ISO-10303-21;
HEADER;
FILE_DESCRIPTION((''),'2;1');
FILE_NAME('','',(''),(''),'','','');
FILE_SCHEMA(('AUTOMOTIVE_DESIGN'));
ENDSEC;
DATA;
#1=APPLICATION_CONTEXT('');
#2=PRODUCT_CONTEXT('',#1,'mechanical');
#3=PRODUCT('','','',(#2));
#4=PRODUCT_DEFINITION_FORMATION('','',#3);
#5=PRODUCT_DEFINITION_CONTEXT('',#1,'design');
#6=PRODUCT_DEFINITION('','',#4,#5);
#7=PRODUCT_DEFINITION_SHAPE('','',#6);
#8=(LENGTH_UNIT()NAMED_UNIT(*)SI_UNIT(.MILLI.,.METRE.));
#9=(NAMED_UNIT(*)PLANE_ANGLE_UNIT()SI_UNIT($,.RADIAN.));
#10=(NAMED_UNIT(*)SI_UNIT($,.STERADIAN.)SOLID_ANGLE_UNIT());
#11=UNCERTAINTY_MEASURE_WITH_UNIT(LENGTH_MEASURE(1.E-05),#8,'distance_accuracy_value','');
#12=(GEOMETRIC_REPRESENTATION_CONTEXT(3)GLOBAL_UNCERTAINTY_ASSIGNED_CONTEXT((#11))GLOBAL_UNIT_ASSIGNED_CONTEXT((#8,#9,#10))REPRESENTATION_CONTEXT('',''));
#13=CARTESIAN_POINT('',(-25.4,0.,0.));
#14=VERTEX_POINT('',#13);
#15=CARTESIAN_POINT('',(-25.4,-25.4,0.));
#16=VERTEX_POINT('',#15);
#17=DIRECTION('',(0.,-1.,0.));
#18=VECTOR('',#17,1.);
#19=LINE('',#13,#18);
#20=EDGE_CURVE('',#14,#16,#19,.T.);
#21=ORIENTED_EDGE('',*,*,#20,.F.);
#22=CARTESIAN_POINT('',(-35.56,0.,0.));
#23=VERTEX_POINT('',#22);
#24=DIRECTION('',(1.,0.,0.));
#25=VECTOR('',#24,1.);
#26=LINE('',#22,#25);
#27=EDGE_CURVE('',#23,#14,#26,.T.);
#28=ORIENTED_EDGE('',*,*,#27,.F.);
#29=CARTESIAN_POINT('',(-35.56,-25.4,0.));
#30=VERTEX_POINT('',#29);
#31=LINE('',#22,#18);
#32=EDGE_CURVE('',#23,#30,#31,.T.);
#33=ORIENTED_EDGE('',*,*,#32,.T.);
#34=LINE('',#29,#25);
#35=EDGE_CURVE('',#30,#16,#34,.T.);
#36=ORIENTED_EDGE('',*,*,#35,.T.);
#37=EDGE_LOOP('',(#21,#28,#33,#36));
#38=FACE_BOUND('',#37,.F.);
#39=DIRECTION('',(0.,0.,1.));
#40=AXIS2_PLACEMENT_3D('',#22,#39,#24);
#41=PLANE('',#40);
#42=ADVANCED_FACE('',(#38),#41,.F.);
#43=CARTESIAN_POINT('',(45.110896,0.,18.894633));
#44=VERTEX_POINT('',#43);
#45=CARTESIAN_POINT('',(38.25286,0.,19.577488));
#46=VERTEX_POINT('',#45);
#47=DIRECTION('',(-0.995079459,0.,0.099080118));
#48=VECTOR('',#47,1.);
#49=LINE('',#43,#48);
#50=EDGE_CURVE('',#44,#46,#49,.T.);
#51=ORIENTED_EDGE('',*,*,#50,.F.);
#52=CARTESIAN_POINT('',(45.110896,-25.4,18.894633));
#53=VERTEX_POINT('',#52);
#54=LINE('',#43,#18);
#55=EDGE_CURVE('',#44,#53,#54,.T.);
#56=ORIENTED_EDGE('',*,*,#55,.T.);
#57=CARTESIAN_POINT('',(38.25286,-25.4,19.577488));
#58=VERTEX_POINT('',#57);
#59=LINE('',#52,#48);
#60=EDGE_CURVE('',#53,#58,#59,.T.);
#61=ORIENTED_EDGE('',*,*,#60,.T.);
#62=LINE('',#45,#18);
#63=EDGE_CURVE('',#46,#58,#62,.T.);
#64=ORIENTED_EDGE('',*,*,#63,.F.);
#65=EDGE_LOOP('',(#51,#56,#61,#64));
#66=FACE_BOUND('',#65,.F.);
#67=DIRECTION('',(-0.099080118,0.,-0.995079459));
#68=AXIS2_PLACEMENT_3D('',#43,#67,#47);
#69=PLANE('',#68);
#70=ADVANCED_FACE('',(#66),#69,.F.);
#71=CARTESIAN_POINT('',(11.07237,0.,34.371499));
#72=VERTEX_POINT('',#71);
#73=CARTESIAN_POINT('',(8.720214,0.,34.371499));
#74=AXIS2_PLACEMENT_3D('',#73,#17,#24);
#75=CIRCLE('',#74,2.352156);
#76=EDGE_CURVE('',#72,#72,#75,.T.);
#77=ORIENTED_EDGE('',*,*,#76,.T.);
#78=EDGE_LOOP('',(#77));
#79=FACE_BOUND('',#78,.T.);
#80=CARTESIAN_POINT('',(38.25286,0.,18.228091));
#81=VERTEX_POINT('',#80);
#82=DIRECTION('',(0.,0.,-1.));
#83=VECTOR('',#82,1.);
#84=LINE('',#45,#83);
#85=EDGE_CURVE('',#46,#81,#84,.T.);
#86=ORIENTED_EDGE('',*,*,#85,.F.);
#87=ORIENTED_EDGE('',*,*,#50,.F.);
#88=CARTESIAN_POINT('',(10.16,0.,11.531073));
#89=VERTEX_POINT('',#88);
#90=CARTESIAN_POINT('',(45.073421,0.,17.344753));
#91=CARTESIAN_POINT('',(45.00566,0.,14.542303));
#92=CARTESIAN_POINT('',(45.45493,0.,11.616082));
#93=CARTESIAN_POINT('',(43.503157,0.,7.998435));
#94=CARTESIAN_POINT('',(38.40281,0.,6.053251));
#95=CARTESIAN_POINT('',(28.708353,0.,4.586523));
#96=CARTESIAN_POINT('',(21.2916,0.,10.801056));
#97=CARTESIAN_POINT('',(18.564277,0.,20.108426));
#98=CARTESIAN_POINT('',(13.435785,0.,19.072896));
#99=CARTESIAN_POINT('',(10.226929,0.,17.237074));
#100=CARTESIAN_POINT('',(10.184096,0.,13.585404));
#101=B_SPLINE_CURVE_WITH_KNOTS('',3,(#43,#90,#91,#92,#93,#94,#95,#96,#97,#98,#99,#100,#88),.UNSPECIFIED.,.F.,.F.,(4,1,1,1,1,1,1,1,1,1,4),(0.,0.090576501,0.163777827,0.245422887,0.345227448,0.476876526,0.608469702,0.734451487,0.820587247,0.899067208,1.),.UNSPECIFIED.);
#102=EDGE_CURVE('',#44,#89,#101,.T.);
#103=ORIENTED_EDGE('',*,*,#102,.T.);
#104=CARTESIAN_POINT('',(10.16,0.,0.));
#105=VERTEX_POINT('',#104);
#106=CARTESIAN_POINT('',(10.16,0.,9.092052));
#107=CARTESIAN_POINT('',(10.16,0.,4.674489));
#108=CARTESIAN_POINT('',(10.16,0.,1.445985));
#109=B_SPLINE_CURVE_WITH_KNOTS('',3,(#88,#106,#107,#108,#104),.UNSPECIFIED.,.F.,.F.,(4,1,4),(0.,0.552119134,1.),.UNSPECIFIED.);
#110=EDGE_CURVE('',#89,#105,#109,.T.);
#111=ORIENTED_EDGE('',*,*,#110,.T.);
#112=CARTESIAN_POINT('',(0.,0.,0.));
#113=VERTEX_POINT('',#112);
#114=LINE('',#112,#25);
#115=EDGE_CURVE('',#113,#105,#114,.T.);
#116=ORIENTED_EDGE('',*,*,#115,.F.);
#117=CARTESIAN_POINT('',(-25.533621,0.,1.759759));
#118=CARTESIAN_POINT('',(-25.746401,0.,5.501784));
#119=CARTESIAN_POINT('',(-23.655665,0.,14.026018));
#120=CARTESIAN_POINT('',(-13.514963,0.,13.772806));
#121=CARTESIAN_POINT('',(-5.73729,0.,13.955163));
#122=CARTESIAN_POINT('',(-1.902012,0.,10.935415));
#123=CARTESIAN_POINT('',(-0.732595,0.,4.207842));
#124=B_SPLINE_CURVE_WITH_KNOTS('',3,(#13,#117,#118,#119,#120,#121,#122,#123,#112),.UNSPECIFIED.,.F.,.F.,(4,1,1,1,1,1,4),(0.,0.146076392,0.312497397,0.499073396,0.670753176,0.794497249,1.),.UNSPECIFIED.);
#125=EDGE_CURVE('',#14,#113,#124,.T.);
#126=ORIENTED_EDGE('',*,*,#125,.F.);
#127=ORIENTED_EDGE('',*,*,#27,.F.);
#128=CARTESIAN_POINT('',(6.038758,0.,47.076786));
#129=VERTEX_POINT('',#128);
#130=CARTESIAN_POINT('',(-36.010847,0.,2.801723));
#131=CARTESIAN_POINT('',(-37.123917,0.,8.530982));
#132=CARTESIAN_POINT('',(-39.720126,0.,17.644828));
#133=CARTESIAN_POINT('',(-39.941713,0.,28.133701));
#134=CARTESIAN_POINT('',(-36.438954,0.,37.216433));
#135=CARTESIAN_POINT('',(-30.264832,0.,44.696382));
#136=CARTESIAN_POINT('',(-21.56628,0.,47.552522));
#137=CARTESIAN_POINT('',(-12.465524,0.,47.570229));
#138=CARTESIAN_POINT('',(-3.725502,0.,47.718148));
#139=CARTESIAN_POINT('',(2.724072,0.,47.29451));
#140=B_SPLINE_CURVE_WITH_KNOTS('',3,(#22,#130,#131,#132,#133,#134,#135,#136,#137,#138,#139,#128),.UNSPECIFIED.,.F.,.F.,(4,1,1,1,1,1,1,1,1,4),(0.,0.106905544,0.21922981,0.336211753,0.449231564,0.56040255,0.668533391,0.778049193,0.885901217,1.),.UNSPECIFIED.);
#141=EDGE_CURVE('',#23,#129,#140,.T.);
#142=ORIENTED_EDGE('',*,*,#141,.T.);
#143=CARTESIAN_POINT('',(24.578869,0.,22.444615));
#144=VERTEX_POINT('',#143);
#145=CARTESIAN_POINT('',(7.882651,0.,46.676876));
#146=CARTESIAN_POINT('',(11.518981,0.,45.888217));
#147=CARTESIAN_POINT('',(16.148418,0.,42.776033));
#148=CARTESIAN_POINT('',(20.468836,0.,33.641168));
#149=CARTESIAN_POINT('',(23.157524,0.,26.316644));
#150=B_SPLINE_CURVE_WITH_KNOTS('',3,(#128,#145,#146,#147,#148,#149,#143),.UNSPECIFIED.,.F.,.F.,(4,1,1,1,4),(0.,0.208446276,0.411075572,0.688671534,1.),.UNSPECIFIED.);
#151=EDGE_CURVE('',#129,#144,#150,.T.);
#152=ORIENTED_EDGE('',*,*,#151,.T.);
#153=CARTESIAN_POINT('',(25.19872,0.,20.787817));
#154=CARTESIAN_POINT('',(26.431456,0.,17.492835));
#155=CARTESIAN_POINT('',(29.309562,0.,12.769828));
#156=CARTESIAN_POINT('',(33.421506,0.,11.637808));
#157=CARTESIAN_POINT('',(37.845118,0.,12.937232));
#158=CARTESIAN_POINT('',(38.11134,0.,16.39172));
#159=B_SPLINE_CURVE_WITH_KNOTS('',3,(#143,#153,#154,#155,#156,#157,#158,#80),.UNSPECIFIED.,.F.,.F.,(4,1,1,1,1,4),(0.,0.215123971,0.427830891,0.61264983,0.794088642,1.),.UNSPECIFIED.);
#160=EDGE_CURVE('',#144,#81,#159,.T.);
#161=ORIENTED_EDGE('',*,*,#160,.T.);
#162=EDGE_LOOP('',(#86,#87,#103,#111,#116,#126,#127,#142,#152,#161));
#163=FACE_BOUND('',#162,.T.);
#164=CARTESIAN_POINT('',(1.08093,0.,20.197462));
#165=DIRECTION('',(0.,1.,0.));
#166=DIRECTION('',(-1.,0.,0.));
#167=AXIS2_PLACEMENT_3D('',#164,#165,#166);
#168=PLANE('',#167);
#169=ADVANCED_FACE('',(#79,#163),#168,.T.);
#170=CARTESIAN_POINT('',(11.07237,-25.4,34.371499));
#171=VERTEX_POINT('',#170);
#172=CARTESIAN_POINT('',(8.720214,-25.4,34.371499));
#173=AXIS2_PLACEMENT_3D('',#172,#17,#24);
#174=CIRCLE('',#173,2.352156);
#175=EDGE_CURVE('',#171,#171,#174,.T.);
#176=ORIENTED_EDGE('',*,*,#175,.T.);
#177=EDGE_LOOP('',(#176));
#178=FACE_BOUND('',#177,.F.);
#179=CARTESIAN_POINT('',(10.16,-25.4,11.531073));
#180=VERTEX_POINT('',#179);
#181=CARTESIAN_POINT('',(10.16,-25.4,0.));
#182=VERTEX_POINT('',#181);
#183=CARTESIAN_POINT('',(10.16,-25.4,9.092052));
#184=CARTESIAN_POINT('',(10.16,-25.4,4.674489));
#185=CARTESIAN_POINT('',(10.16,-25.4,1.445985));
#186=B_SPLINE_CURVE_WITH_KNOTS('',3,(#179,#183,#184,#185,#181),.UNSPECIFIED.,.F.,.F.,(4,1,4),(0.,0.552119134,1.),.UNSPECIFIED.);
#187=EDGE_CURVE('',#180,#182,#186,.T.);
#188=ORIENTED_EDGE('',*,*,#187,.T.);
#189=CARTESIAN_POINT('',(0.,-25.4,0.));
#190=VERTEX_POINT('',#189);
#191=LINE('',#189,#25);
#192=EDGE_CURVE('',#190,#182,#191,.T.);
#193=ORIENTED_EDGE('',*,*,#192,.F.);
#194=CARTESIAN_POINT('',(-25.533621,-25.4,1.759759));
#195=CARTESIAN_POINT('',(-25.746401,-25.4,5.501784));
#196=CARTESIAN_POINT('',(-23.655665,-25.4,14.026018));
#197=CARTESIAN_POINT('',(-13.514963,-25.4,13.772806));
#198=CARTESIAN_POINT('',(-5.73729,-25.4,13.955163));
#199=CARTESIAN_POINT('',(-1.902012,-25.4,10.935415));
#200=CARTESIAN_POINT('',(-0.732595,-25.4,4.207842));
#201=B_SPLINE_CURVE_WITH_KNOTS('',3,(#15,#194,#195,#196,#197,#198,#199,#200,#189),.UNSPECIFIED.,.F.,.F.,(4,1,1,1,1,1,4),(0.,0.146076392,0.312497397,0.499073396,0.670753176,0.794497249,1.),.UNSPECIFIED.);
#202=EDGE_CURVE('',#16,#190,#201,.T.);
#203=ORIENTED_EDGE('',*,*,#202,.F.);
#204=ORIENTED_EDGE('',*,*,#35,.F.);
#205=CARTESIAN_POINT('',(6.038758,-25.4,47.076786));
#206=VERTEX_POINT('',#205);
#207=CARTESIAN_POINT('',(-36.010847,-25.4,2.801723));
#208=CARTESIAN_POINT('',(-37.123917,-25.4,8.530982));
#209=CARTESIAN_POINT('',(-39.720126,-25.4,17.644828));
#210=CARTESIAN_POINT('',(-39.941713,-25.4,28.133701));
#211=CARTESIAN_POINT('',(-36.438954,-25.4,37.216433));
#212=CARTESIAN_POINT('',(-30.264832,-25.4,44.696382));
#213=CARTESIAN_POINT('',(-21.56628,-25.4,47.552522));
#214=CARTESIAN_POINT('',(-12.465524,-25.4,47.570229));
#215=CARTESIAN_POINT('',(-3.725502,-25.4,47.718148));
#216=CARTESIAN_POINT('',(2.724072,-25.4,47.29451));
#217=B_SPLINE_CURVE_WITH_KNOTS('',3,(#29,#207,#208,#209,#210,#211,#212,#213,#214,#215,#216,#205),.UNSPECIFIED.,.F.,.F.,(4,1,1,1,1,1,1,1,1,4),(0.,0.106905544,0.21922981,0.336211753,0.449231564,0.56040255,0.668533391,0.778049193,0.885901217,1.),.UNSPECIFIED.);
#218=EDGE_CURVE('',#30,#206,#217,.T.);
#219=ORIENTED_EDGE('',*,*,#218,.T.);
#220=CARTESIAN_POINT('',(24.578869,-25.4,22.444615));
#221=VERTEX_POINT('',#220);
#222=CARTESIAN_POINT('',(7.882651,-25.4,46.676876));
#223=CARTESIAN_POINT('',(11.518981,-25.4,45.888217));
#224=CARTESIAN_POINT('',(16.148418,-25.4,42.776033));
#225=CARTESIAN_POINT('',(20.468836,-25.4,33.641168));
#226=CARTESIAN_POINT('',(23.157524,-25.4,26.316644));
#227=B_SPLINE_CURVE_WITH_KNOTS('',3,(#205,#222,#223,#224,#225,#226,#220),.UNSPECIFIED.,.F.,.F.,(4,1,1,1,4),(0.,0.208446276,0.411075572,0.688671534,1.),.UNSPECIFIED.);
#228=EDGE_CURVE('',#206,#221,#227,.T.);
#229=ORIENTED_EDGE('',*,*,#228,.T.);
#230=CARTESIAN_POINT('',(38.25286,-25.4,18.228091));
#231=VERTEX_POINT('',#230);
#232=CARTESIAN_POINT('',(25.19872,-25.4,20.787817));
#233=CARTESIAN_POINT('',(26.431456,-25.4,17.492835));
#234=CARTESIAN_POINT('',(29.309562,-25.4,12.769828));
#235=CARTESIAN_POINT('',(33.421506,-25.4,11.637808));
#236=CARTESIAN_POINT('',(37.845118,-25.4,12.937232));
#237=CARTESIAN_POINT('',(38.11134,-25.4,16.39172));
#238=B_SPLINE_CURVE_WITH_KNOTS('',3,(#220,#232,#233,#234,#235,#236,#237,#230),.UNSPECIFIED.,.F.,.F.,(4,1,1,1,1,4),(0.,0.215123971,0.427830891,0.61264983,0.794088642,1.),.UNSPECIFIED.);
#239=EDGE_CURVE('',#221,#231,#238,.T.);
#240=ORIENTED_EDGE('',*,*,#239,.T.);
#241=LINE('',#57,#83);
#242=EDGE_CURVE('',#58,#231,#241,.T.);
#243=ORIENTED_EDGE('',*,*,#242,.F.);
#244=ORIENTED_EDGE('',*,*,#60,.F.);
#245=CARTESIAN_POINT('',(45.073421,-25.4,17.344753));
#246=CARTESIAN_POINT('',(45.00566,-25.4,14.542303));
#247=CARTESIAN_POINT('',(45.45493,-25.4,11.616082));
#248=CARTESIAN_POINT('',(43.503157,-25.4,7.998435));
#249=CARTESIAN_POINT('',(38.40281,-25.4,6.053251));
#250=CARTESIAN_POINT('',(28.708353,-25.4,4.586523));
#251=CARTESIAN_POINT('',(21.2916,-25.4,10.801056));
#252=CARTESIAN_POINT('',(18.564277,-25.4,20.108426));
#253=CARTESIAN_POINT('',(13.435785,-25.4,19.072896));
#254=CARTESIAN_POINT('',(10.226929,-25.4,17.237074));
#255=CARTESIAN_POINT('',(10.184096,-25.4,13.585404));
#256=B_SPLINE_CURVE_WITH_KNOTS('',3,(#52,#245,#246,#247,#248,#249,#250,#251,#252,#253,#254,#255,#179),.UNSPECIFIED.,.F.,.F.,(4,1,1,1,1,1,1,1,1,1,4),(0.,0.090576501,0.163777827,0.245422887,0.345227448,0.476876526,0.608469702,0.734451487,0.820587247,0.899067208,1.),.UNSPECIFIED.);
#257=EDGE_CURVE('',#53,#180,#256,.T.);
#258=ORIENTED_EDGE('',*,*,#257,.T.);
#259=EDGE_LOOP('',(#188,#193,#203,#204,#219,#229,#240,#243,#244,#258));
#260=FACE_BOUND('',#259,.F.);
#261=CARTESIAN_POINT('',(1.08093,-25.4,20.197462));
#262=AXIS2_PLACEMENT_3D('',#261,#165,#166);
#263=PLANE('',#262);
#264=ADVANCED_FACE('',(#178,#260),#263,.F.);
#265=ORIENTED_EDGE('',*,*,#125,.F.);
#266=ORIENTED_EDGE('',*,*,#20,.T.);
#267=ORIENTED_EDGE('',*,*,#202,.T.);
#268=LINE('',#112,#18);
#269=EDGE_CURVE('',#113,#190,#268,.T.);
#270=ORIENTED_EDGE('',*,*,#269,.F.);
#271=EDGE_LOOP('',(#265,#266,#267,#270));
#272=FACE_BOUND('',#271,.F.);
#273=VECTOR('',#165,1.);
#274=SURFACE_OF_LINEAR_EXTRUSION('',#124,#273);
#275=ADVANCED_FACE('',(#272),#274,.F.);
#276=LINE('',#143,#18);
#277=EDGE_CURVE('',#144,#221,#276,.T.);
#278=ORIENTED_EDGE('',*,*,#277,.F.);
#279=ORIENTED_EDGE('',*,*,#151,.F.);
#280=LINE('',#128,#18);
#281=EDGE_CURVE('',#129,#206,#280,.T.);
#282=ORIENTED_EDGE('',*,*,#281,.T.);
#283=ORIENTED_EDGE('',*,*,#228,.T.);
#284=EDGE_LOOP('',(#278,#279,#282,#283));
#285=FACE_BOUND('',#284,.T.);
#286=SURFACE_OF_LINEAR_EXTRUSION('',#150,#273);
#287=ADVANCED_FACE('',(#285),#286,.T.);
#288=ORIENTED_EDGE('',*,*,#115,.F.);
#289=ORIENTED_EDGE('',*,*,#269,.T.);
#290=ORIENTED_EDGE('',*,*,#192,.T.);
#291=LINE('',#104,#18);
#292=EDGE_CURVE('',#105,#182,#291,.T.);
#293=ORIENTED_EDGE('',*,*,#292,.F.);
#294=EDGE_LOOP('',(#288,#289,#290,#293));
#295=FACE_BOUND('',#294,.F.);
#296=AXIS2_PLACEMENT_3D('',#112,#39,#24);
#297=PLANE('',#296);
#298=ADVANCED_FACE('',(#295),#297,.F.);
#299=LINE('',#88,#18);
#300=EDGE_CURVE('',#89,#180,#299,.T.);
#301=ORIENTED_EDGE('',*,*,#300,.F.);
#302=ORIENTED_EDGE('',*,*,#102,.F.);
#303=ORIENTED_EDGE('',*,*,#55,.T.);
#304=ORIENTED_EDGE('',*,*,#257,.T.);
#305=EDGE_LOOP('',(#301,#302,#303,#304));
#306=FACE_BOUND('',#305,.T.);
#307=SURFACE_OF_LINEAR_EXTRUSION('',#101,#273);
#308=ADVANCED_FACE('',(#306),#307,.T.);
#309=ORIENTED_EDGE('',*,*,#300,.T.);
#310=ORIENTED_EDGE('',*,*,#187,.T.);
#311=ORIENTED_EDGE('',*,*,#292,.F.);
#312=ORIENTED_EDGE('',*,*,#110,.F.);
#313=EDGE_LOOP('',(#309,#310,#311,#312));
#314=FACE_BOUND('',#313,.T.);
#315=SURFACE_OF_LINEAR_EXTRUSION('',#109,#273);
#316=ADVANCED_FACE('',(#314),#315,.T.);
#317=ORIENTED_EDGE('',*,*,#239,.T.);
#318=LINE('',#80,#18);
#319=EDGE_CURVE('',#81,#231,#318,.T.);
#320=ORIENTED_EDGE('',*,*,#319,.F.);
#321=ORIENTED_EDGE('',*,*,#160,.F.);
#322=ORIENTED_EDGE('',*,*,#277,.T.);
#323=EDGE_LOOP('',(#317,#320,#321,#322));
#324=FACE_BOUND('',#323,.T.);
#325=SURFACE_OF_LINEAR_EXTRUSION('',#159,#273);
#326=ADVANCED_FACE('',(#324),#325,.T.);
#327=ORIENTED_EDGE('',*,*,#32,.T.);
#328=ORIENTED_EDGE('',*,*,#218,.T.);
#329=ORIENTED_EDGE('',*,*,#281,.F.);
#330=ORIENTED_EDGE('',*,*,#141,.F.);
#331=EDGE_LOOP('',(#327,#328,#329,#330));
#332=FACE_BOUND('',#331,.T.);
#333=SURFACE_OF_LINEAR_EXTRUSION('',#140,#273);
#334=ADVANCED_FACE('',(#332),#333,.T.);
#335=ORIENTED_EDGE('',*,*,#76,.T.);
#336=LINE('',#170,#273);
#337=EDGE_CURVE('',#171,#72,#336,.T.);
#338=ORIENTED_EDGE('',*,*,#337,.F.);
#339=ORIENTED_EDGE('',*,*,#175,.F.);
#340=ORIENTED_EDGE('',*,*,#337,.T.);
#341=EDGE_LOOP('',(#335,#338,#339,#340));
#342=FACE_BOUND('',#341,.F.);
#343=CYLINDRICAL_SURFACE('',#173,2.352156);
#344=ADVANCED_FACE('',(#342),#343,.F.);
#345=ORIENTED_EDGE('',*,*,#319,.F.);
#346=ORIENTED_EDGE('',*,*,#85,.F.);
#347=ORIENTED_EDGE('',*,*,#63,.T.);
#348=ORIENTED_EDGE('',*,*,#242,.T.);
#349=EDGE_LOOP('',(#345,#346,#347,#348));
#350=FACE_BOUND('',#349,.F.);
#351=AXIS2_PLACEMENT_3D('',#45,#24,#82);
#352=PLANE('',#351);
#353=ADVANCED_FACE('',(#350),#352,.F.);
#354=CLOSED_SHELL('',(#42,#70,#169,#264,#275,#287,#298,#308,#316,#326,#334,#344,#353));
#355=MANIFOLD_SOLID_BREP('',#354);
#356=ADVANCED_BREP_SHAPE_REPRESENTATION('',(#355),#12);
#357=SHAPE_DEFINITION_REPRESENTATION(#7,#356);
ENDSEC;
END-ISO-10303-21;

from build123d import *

# Parameters (mm, degrees)
F1_DEPTH = 25.4
F3_R     = 2.3521556201
F4_DEPTH = 50.8


with BuildPart() as f1:
    # F0 (on Front) → F1 (new body)
    with BuildSketch(Plane.XZ):
        with BuildLine():
            add(Edge.make_bspline(
                [(-35.56, 0), (-36.0108472067, 2.8017230028), (-37.1239172059, 8.5309822801), (-39.7201263679, 17.6448280058), (-39.9417126472, 28.1337006), (-36.4389539296, 37.2164327725), (-30.2648319391, 44.6963820544), (-21.5662804304, 47.5525220031), (-12.4655243139, 47.5702293027), (-3.7255018647, 47.7181484376), (2.7240717282, 47.2945096317), (6.0387579836, 47.0767857383)],
                knots=[0, 0, 0, 0, 0.1069055442, 0.2192298104, 0.3362117535, 0.4492315637, 0.5604025496, 0.668533391, 0.7780491926, 0.8859012174, 1, 1, 1, 1], degree=3))
            Line((-35.56, 0), (-25.4, 0))
            add(Edge.make_bspline(
                [(-25.4, 0), (-25.5336205433, 1.7597589677), (-25.7464014002, 5.5017840412), (-23.6556648226, 14.0260179901), (-13.5149625168, 13.7728058351), (-5.73728982, 13.9551634865), (-1.9020122718, 10.9354151858), (-0.7325949548, 4.2078423822), (0, 0)],
                knots=[0, 0, 0, 0, 0.1460763919, 0.3124973969, 0.4990733955, 0.6707531758, 0.794497249, 1, 1, 1, 1], degree=3))
            Line((0, 0), (10.16, 0))
            add(Edge.make_bspline(
                [(10.16, 11.5310730746), (10.16, 9.0920519822), (10.16, 4.6744889218), (10.16, 1.4459850909), (10.16, 0)],
                knots=[0, 0, 0, 0, 0.5521191342, 1, 1, 1, 1], degree=3))
            add(Edge.make_bspline(
                [(45.1108962297, 18.8946332783), (45.0734211978, 17.3447527363), (45.0056599217, 14.5423032688), (45.4549295767, 11.6160815435), (43.503156592, 7.9984354804), (38.4028100641, 6.0532508862), (28.708352557, 4.5865232253), (21.2916002611, 10.801056071), (18.5642767742, 20.1084257558), (13.4357851894, 19.0728956927), (10.2269291514, 17.2370741966), (10.1840964989, 13.585404364), (10.16, 11.5310730746)],
                knots=[0, 0, 0, 0, 0.0905765011, 0.1637778271, 0.2454228866, 0.3452274483, 0.4768765258, 0.608469702, 0.7344514868, 0.8205872473, 0.899067208, 1, 1, 1, 1], degree=3))
            Line((45.1108962297, 18.8946332783), (38.2528603077, 19.5774883032))
            Line((38.2528603077, 19.5774883032), (38.2528603077, 18.2280905355))
            add(Edge.make_bspline(
                [(24.5788693428, 22.4446151406), (25.1987196683, 20.7878167071), (26.4314559172, 17.4928349963), (29.3095621055, 12.7698276845), (33.4215060835, 11.6378084642), (37.8451179834, 12.9372318588), (38.1113396263, 16.3917201605), (38.2528603077, 18.2280905355)],
                knots=[0, 0, 0, 0, 0.2151239707, 0.4278308905, 0.6126498305, 0.7940886424, 1, 1, 1, 1], degree=3))
            add(Edge.make_bspline(
                [(6.0387579836, 47.0767857383), (7.8826510979, 46.6768760046), (11.5189809539, 45.8882165684), (16.1484184125, 42.776033407), (20.4688363078, 33.6411675743), (23.1575239774, 26.3166443371), (24.5788693428, 22.4446151406)],
                knots=[0, 0, 0, 0, 0.2084462759, 0.4110755719, 0.6886715345, 1, 1, 1, 1], degree=3))
        make_face()
    extrude(amount=F1_DEPTH)

    # F3 (on offset) → F4 (cut)
    with BuildSketch(Plane.XZ.offset(25.4)):
        with Locations((8.7202144787, 34.3714989722)):
            Circle(F3_R)
    extrude(amount=-F4_DEPTH, mode=Mode.SUBTRACT)


solid = f1.part
